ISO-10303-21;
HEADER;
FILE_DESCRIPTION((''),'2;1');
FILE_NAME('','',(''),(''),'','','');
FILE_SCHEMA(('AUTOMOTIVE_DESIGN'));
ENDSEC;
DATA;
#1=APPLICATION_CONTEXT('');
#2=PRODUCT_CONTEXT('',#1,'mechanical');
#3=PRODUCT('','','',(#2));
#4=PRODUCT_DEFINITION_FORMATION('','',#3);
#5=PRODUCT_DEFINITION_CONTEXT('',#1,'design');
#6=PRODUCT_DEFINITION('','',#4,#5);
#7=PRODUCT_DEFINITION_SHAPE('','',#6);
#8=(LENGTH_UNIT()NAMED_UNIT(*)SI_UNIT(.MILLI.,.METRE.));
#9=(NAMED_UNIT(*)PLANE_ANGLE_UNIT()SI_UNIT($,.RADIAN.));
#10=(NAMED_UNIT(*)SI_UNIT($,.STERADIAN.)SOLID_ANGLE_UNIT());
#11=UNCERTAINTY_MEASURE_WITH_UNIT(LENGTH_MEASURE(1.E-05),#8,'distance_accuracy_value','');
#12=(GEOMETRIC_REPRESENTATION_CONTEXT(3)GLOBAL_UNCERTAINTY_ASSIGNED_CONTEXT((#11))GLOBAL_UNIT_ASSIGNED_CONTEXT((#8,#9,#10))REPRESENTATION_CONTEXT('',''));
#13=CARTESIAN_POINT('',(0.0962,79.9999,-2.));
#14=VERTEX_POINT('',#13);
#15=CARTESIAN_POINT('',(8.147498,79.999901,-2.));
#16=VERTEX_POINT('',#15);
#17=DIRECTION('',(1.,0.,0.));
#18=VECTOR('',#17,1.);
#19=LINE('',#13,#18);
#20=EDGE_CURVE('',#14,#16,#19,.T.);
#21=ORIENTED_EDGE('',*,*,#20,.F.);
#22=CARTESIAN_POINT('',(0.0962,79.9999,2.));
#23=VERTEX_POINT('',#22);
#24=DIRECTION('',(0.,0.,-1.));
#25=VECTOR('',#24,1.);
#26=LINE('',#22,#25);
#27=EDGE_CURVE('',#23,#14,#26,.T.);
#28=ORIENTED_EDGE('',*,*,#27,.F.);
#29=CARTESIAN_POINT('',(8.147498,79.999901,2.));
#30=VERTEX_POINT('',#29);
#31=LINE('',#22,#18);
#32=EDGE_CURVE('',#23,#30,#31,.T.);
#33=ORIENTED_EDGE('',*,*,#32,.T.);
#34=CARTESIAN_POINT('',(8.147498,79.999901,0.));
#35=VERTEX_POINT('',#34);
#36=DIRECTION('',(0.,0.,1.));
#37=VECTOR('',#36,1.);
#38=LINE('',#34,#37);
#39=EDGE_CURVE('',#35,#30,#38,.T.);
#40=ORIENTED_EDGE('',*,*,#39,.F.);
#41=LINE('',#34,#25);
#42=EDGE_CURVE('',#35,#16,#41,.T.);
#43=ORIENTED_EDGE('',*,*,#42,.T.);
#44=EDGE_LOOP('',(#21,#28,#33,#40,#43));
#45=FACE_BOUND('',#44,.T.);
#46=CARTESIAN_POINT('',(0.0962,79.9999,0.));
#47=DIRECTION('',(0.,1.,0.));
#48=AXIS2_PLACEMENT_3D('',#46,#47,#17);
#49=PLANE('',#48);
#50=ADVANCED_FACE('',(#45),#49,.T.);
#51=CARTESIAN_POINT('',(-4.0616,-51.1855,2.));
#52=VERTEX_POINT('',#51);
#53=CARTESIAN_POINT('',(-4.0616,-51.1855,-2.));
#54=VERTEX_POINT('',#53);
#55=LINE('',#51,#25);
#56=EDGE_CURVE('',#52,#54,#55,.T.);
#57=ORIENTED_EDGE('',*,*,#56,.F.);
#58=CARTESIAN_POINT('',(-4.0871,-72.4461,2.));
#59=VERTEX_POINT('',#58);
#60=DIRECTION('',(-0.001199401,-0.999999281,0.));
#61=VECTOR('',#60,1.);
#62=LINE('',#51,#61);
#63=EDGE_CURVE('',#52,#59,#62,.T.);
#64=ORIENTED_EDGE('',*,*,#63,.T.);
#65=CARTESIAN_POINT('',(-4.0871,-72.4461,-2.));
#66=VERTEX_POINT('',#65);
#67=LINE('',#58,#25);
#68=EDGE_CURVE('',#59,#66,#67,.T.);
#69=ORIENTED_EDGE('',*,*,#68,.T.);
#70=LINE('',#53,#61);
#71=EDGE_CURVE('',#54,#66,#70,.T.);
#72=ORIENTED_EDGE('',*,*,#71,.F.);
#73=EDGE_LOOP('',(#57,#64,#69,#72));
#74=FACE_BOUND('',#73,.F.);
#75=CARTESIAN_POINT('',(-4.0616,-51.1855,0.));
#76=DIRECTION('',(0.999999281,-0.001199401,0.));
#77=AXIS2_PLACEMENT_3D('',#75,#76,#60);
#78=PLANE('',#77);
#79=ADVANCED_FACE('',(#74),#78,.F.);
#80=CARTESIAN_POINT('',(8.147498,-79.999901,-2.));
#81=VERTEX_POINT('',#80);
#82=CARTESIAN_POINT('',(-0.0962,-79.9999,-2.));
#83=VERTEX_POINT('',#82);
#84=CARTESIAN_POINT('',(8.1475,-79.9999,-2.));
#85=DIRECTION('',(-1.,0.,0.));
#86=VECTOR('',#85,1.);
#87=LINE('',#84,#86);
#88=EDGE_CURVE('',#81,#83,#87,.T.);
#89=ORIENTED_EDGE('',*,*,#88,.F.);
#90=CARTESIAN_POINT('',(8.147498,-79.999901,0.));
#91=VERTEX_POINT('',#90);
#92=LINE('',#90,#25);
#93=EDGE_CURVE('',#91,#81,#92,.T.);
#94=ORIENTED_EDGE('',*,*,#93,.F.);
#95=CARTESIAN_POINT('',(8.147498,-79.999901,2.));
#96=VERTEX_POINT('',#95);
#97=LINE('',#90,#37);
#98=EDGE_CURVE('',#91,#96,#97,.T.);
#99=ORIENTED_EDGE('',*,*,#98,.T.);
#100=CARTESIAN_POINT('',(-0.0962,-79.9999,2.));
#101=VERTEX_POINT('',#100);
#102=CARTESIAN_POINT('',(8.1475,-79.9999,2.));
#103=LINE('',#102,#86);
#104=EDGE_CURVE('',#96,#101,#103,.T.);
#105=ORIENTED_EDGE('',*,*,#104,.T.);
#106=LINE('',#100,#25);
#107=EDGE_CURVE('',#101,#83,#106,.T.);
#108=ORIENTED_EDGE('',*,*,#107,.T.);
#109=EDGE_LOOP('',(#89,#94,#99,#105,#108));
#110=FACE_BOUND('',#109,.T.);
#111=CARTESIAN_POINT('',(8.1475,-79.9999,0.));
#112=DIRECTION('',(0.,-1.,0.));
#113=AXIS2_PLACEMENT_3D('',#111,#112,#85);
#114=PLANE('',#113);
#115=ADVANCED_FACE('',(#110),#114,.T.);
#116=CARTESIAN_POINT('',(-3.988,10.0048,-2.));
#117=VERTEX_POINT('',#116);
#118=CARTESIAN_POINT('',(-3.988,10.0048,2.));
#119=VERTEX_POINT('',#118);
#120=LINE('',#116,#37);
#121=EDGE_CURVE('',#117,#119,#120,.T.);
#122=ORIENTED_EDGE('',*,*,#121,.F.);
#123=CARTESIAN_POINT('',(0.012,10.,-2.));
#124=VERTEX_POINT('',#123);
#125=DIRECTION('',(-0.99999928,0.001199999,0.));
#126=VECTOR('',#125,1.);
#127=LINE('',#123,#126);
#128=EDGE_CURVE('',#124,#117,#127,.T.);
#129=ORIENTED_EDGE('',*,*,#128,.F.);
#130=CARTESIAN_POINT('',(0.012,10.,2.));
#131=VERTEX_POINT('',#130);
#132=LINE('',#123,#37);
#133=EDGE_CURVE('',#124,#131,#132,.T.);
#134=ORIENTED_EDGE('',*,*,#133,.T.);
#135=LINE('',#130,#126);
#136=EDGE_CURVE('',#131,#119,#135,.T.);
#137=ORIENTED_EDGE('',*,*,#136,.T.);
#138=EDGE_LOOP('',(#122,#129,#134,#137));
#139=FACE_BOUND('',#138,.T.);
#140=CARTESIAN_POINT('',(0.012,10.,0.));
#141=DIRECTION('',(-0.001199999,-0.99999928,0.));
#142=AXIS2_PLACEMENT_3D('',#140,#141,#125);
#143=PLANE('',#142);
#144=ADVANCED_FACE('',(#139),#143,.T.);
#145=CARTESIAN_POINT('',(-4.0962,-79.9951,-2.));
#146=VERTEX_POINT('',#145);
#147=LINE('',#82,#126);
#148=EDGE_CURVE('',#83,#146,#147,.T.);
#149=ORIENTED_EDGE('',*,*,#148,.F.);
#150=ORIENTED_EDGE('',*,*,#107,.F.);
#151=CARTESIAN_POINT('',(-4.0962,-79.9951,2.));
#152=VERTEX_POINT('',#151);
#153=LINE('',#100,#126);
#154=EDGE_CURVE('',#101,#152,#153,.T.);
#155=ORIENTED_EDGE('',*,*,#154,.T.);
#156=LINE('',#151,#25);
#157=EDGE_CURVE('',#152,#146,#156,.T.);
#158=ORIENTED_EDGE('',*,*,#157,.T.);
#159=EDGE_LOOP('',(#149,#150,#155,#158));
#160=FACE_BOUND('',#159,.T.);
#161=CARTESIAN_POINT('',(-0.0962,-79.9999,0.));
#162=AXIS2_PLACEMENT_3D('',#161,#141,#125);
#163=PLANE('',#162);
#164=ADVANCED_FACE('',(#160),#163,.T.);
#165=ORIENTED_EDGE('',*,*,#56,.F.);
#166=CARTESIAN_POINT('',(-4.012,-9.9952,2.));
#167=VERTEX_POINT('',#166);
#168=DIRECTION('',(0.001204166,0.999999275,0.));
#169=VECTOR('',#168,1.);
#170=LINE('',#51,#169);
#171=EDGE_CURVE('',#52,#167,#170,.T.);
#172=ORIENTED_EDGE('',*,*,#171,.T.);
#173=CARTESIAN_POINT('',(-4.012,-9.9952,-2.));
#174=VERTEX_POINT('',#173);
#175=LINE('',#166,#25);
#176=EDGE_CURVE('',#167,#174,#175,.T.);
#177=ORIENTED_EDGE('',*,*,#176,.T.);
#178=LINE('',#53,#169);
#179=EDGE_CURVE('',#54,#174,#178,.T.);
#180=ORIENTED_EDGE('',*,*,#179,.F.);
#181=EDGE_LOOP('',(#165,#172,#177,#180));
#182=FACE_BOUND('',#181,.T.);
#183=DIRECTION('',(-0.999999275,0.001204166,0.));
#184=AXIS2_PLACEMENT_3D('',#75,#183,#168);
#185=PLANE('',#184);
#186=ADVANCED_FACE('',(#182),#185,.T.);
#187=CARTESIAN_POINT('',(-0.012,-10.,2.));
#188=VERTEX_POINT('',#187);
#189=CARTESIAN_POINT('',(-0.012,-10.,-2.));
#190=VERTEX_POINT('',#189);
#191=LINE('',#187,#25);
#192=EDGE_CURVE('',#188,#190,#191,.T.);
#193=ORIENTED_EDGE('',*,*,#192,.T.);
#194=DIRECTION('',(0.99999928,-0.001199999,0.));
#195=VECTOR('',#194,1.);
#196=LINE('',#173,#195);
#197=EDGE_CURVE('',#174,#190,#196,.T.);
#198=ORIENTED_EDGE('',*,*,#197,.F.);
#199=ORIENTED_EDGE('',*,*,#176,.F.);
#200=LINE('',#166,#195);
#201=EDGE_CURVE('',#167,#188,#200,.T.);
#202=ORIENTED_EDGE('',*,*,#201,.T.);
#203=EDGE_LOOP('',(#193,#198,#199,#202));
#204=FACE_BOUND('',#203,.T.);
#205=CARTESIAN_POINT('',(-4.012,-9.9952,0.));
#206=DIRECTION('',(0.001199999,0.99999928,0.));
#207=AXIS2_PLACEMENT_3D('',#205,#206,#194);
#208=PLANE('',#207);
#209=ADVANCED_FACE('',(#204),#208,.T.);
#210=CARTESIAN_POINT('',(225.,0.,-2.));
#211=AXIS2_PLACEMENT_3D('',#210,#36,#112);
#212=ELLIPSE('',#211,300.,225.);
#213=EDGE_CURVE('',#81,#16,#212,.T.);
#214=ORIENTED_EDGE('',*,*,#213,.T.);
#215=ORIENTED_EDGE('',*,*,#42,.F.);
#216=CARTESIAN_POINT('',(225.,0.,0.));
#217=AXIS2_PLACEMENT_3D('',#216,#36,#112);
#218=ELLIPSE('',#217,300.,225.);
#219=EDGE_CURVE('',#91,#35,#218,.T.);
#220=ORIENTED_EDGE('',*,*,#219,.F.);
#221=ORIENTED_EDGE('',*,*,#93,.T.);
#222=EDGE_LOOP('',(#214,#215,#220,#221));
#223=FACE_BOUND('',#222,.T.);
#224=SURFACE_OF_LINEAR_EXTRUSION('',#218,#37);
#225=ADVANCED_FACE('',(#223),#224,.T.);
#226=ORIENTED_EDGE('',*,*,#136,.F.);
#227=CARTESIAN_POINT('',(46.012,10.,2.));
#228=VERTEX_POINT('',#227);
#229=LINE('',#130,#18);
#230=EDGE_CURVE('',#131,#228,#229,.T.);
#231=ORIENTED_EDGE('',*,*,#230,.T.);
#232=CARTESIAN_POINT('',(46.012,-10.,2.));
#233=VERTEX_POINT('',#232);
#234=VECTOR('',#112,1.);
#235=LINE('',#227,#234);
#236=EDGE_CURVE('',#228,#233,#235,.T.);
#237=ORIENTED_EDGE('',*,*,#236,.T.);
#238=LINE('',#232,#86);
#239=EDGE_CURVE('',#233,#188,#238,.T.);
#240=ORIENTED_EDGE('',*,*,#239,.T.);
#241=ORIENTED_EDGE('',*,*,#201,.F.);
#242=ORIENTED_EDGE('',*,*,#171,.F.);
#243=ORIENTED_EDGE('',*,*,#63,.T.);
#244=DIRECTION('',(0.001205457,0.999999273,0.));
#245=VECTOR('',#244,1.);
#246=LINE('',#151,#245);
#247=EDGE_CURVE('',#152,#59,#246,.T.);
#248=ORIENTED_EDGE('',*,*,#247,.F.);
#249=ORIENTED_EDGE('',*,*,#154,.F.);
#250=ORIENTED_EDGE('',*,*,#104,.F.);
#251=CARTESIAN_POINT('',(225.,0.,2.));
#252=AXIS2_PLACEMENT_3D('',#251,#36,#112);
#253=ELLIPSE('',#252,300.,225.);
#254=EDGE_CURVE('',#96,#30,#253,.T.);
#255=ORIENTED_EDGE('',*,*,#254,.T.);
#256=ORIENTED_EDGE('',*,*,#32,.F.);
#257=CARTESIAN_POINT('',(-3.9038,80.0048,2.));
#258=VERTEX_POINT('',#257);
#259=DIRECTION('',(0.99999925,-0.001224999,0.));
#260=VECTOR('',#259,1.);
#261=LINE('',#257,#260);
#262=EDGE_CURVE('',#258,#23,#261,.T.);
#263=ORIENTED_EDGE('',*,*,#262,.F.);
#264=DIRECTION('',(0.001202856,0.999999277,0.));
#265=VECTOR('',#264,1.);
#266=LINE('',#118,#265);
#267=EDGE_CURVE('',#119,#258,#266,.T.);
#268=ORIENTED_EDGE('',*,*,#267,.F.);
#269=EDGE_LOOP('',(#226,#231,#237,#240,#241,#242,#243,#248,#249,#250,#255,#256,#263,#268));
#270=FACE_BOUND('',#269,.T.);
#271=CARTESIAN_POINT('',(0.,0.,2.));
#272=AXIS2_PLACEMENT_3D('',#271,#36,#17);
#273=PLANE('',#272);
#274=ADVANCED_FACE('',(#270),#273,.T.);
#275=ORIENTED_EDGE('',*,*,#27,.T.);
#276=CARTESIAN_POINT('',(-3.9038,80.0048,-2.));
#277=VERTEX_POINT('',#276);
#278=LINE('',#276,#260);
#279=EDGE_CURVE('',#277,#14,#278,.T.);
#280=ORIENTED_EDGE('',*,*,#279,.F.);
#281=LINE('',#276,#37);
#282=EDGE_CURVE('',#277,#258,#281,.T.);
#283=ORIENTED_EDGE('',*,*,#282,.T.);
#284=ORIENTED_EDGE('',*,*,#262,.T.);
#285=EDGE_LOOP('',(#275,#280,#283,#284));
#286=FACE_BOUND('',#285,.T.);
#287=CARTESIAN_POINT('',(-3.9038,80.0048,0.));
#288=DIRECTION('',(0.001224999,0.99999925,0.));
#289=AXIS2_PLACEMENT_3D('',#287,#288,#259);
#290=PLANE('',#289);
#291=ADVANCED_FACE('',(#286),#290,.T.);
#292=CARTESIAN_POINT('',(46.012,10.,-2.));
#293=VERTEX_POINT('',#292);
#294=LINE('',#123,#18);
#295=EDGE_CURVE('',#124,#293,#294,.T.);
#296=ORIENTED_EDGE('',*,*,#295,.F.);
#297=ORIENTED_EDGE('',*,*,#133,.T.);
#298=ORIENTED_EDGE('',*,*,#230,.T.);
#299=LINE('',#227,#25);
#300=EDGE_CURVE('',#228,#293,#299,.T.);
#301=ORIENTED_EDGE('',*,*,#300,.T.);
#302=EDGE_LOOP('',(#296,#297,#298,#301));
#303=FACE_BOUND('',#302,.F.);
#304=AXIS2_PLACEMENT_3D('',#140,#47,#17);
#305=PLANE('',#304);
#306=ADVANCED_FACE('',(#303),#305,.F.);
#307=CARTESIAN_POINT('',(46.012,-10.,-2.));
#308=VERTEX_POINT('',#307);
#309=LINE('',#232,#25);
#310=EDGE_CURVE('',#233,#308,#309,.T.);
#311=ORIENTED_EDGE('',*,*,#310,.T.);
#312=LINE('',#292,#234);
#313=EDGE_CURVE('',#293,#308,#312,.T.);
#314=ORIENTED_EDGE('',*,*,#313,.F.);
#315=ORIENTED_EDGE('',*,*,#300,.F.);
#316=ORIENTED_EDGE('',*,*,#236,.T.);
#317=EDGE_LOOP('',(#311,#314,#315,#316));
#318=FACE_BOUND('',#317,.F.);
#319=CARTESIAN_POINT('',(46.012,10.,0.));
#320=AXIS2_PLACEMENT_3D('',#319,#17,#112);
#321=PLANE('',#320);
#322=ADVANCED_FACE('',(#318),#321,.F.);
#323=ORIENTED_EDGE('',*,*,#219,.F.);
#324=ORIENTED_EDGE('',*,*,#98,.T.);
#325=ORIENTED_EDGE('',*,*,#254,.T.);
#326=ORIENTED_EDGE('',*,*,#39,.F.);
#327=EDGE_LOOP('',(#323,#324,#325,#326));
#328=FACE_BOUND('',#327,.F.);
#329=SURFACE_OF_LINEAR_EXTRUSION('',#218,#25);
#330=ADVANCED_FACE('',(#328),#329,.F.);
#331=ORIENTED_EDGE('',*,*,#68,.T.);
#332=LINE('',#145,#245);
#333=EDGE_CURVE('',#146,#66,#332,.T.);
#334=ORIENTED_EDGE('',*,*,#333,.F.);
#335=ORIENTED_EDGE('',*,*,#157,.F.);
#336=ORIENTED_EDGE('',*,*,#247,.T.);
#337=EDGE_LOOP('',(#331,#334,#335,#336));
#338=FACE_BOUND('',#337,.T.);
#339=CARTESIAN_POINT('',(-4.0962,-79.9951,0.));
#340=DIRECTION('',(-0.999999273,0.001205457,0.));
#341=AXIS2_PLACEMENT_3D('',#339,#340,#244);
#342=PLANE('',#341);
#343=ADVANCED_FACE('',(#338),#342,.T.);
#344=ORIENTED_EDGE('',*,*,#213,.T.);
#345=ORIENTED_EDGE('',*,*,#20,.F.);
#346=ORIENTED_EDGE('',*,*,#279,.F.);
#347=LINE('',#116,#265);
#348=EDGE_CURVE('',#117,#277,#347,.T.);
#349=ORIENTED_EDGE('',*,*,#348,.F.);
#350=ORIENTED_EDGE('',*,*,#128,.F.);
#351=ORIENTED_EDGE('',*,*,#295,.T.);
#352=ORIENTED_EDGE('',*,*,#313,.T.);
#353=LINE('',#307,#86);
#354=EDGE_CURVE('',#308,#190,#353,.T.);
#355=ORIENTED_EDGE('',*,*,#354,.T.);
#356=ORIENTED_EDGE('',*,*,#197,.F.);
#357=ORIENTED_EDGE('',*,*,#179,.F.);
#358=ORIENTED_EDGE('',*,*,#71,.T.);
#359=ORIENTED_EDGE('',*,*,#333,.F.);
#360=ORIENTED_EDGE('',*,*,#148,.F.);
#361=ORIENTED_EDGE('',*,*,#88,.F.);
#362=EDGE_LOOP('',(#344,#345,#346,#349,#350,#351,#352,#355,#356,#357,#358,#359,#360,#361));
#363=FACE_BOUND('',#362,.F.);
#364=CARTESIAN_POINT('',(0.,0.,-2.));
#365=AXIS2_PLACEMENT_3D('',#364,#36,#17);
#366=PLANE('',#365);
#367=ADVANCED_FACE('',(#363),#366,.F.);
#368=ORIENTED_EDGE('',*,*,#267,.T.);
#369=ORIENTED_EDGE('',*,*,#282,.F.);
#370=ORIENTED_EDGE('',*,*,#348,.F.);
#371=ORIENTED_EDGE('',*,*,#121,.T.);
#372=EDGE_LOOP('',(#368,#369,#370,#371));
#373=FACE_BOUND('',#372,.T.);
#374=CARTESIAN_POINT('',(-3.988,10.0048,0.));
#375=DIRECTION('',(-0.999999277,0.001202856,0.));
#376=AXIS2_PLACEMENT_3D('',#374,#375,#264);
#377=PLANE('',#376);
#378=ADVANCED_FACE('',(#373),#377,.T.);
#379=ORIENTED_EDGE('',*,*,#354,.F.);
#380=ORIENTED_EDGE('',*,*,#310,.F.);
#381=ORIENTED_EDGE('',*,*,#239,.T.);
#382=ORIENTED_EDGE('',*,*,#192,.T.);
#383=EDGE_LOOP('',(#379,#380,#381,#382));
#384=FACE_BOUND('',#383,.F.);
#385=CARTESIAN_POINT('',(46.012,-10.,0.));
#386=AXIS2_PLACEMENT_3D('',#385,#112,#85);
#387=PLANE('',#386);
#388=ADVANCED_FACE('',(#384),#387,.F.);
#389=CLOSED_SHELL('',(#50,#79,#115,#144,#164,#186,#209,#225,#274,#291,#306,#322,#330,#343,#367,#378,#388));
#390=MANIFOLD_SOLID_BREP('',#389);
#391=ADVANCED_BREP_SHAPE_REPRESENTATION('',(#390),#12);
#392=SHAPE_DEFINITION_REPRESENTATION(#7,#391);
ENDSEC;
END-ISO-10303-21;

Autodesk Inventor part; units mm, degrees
ref_plane "YZ Plane" through (0, 0, 0) normal (1, 0, 0) x (0, 1, 0)
ref_plane "XZ Plane" through (0, 0, 0) normal (0, 1, 0) x (-1, 0, 0)
ref_plane "XY Plane" through (0, 0, 0) normal (0, 0, 1) x (1, 0, 0)
sketch "Эскиз1" plane through (0, 0, 0) normal (0, 0, 1) x (1, 0, 0)
  line L0 (-3.9038, 80.0048) -> (0.0962, 79.9999)
  line L1 (0.012, 10) -> (-3.988, 10.0048)
  line L2 (-3.988, 10.0048) -> (-3.9038, 80.0048)
  line L3 (-0.0962, -79.9999) -> (-4.0962, -79.9951)
  line L4 (-4.0962, -79.9951) -> (-4.0871, -72.4461)
  line L5 (-4.0616, -51.1855) -> (-4.012, -9.9952)
  line L6 (-4.012, -9.9952) -> (-0.012, -10)
  ellipse E0 centre (225, 0) end of major axis (225, -300) minor radius 225 (8.1475, -79.9999) -> (8.1475, 79.9999) ccw
  line L7 (0.0962, 79.9999) -> (8.1475, 79.9999)
  line L8 (8.1475, -79.9999) -> (-0.0962, -79.9999)
  line L9 (-4.0616, -51.1855) -> (-4.0871, -72.4461)
  line L10 (22, 79.9999) -> (22, 79.9736)
  line L11 (0.012, 10) -> (46.012, 10)
  line L12 (46.012, 10) -> (46.012, -10)
  line L13 (46.012, -10) -> (-0.012, -10)
  point P0 (0, 0)
  dimension "d0" = 300
  dimension "d1" = 225
extrude "Выдавливание1" add sketch "Эскиз1" along normal mid plane 4
sketch "Эскиз2" plane through (0, 0, 2) normal (0, 0, 1) x (1, 0, 0)
  line L0 (330, 177.5) -> (120, 177.5)
  line L1 (120, 177.5) -> (120, -177.5)
  line L2 (120, -177.5) -> (330, -177.5)
  line L3 (330, -177.5) -> (330, 177.5)
  ellipse E0 centre (225, 0) end of major axis (225, -300) minor radius 225 (8.1475, -79.9999) -> (8.1475, 79.9999) ccw projected
  line L4 (330, 177.5) -> (120, -177.5) construction
  line L5 (330, -177.5) -> (120, 177.5) construction
  point P0 (225, 0)
  dimension "d6" = 210
  dimension "d7" = 355
properties part number "лицо"
